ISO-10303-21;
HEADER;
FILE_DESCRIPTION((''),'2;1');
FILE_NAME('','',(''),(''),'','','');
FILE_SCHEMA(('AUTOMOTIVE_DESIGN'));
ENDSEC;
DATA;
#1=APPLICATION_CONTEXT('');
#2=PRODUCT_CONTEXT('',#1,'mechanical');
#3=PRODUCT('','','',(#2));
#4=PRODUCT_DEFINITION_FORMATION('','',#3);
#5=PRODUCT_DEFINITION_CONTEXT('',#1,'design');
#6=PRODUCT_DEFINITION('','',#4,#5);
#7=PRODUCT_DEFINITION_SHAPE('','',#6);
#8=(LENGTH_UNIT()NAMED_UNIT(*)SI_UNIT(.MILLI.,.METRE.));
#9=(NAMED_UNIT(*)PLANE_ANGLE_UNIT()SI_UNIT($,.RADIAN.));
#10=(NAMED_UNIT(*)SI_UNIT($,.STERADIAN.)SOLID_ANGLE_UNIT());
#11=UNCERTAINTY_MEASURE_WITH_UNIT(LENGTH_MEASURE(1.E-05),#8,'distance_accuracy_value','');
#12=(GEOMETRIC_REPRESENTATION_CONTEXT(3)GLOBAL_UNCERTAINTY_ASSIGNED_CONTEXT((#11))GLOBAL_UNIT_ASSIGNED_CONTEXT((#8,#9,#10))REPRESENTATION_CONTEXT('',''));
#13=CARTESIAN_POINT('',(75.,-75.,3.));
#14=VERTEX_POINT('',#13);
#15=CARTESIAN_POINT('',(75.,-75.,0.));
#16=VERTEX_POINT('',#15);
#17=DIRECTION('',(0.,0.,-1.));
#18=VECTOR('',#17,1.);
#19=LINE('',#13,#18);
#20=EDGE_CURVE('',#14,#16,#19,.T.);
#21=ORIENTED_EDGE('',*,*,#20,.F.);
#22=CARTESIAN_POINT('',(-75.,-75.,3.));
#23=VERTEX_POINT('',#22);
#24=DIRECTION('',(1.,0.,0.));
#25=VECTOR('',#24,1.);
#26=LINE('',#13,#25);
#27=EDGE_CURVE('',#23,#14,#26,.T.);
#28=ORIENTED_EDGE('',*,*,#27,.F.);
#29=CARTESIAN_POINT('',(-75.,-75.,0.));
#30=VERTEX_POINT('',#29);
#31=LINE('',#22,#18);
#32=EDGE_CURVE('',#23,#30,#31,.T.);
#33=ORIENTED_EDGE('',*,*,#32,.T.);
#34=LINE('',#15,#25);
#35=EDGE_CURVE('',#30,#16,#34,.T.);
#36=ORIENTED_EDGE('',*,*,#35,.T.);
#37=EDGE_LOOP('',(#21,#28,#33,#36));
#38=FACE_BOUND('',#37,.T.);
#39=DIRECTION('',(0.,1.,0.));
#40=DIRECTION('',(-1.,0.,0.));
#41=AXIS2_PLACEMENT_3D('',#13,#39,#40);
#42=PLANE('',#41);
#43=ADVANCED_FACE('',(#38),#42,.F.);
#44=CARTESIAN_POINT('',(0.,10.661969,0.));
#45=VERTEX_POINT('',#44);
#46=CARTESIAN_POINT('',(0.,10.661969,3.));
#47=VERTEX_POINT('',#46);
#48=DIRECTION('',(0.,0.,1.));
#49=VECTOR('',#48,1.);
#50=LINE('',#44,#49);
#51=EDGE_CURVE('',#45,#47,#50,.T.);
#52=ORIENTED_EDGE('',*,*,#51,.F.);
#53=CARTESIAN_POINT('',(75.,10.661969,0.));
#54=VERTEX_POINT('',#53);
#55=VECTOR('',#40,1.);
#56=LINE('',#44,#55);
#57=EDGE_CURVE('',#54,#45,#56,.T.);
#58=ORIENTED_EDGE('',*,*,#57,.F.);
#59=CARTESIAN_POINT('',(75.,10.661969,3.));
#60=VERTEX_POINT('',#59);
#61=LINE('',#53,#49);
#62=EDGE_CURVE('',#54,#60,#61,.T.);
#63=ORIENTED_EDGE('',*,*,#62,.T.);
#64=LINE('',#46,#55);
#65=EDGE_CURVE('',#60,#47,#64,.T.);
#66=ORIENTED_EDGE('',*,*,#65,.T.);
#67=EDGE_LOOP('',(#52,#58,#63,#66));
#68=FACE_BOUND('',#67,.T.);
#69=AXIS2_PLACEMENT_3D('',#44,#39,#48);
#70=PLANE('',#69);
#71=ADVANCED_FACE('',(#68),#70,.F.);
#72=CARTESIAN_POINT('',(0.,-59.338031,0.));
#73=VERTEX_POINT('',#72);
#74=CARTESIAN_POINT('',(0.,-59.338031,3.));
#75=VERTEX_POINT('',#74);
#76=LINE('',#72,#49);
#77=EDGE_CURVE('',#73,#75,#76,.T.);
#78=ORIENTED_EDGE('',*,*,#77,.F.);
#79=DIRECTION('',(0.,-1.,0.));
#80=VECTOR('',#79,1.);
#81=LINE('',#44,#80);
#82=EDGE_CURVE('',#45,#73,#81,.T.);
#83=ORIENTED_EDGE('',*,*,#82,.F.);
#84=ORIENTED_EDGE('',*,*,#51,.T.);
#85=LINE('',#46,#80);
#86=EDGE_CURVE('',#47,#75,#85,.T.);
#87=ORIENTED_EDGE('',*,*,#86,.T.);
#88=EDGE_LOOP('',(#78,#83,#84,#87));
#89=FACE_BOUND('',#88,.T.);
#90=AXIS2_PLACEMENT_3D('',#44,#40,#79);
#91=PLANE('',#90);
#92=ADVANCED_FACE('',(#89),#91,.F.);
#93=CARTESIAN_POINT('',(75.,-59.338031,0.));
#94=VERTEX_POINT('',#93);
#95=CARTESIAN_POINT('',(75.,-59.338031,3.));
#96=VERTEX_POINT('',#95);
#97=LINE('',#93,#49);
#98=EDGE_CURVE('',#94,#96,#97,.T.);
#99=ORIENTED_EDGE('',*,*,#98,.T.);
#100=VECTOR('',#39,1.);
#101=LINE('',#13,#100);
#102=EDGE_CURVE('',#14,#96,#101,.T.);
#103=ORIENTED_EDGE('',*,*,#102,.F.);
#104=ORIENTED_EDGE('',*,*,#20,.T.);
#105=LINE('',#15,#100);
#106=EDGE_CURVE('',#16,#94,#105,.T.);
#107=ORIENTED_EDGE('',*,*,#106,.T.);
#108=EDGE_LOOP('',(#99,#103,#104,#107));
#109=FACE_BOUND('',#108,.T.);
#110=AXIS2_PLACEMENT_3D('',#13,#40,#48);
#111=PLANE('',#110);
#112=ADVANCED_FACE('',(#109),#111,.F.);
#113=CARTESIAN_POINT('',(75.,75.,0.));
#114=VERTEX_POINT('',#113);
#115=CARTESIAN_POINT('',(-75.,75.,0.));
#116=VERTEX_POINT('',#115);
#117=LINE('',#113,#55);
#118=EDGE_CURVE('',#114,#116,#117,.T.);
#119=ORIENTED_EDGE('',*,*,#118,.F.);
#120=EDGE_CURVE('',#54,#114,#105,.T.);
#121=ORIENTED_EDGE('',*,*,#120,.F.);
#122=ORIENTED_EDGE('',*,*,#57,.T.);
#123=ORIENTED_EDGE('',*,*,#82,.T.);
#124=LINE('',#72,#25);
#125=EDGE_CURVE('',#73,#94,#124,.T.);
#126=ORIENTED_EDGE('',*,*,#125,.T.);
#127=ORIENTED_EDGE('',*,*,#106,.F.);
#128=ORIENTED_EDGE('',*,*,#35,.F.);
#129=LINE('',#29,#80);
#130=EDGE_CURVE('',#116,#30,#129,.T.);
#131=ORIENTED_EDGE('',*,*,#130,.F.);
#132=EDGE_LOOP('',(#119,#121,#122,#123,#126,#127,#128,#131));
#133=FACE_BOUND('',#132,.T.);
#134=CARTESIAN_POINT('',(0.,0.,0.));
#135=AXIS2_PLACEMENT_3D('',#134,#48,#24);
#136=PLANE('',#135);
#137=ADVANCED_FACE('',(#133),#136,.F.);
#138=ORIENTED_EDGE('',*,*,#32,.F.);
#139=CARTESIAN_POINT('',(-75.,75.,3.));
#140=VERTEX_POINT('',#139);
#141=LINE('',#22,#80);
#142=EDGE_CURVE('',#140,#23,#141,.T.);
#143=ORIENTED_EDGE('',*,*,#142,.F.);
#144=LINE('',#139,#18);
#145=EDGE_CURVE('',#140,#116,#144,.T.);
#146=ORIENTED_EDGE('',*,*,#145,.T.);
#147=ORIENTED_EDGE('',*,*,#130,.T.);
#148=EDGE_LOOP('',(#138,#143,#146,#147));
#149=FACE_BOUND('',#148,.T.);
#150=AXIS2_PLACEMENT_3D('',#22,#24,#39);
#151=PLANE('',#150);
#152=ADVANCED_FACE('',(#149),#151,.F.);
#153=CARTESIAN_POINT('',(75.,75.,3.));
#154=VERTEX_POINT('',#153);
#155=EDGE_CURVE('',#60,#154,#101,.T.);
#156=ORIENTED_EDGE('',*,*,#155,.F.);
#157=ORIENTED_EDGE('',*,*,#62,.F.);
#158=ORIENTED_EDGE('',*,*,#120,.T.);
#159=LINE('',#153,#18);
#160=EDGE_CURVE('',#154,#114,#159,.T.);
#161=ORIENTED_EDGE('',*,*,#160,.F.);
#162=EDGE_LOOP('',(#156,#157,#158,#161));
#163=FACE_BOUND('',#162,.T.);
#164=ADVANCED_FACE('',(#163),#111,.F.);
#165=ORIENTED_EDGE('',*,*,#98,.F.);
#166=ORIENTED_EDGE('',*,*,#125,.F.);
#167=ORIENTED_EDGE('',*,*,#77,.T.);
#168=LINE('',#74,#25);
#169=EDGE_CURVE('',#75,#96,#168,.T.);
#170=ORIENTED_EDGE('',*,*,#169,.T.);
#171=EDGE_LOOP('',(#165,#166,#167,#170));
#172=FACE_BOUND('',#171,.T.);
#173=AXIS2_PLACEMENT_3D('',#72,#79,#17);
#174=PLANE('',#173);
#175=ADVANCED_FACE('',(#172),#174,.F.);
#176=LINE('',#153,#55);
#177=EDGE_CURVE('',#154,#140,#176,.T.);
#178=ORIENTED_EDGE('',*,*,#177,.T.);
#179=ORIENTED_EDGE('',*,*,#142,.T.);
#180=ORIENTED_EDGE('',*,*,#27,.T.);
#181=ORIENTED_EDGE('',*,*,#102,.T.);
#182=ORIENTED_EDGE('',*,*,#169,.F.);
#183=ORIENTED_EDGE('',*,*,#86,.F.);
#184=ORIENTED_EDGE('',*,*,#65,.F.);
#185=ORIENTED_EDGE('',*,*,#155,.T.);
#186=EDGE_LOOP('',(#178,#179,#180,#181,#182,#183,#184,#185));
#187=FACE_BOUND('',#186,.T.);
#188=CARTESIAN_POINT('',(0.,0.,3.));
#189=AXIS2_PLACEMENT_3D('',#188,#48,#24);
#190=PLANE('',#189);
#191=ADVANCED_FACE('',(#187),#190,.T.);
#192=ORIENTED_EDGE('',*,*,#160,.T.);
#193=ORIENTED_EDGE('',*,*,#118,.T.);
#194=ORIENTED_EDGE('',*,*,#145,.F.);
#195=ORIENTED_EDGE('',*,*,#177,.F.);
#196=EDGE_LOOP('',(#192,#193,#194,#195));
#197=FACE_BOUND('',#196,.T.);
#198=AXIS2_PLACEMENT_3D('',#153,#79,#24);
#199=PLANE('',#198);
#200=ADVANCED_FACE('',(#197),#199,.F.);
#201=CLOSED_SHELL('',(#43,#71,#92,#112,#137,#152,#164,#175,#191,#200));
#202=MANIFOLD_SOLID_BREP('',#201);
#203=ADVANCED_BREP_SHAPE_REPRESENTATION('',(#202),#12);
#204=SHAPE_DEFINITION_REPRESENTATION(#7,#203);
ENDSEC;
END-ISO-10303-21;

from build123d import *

# Parameters (mm, degrees)
ESQUISSE1_W             = 150
ESQUISSE1_H             = 150
BOSS_EXTRU_1_DEPTH      = 3
ESQUISSE2_W             = 75
ESQUISSE2_H             = 70
ENL_V_MAT_EXTRU_1_DEPTH = 107.108435103


with BuildPart() as part:
    # Esquisse1 → Boss.-Extru.1 (new body)
    with BuildSketch(Plane.XY):
        Rectangle(ESQUISSE1_W, ESQUISSE1_H)
    extrude(amount=BOSS_EXTRU_1_DEPTH)

    # Esquisse2 → Enlèv. mat.-Extru.1 (cut, through all)
    with BuildSketch(Plane.XY.offset(3)):
        with Locations((37.5, -24.338030686)):
            Rectangle(ESQUISSE2_W, ESQUISSE2_H)
    extrude(amount=-ENL_V_MAT_EXTRU_1_DEPTH, mode=Mode.SUBTRACT)


solid = part.part
